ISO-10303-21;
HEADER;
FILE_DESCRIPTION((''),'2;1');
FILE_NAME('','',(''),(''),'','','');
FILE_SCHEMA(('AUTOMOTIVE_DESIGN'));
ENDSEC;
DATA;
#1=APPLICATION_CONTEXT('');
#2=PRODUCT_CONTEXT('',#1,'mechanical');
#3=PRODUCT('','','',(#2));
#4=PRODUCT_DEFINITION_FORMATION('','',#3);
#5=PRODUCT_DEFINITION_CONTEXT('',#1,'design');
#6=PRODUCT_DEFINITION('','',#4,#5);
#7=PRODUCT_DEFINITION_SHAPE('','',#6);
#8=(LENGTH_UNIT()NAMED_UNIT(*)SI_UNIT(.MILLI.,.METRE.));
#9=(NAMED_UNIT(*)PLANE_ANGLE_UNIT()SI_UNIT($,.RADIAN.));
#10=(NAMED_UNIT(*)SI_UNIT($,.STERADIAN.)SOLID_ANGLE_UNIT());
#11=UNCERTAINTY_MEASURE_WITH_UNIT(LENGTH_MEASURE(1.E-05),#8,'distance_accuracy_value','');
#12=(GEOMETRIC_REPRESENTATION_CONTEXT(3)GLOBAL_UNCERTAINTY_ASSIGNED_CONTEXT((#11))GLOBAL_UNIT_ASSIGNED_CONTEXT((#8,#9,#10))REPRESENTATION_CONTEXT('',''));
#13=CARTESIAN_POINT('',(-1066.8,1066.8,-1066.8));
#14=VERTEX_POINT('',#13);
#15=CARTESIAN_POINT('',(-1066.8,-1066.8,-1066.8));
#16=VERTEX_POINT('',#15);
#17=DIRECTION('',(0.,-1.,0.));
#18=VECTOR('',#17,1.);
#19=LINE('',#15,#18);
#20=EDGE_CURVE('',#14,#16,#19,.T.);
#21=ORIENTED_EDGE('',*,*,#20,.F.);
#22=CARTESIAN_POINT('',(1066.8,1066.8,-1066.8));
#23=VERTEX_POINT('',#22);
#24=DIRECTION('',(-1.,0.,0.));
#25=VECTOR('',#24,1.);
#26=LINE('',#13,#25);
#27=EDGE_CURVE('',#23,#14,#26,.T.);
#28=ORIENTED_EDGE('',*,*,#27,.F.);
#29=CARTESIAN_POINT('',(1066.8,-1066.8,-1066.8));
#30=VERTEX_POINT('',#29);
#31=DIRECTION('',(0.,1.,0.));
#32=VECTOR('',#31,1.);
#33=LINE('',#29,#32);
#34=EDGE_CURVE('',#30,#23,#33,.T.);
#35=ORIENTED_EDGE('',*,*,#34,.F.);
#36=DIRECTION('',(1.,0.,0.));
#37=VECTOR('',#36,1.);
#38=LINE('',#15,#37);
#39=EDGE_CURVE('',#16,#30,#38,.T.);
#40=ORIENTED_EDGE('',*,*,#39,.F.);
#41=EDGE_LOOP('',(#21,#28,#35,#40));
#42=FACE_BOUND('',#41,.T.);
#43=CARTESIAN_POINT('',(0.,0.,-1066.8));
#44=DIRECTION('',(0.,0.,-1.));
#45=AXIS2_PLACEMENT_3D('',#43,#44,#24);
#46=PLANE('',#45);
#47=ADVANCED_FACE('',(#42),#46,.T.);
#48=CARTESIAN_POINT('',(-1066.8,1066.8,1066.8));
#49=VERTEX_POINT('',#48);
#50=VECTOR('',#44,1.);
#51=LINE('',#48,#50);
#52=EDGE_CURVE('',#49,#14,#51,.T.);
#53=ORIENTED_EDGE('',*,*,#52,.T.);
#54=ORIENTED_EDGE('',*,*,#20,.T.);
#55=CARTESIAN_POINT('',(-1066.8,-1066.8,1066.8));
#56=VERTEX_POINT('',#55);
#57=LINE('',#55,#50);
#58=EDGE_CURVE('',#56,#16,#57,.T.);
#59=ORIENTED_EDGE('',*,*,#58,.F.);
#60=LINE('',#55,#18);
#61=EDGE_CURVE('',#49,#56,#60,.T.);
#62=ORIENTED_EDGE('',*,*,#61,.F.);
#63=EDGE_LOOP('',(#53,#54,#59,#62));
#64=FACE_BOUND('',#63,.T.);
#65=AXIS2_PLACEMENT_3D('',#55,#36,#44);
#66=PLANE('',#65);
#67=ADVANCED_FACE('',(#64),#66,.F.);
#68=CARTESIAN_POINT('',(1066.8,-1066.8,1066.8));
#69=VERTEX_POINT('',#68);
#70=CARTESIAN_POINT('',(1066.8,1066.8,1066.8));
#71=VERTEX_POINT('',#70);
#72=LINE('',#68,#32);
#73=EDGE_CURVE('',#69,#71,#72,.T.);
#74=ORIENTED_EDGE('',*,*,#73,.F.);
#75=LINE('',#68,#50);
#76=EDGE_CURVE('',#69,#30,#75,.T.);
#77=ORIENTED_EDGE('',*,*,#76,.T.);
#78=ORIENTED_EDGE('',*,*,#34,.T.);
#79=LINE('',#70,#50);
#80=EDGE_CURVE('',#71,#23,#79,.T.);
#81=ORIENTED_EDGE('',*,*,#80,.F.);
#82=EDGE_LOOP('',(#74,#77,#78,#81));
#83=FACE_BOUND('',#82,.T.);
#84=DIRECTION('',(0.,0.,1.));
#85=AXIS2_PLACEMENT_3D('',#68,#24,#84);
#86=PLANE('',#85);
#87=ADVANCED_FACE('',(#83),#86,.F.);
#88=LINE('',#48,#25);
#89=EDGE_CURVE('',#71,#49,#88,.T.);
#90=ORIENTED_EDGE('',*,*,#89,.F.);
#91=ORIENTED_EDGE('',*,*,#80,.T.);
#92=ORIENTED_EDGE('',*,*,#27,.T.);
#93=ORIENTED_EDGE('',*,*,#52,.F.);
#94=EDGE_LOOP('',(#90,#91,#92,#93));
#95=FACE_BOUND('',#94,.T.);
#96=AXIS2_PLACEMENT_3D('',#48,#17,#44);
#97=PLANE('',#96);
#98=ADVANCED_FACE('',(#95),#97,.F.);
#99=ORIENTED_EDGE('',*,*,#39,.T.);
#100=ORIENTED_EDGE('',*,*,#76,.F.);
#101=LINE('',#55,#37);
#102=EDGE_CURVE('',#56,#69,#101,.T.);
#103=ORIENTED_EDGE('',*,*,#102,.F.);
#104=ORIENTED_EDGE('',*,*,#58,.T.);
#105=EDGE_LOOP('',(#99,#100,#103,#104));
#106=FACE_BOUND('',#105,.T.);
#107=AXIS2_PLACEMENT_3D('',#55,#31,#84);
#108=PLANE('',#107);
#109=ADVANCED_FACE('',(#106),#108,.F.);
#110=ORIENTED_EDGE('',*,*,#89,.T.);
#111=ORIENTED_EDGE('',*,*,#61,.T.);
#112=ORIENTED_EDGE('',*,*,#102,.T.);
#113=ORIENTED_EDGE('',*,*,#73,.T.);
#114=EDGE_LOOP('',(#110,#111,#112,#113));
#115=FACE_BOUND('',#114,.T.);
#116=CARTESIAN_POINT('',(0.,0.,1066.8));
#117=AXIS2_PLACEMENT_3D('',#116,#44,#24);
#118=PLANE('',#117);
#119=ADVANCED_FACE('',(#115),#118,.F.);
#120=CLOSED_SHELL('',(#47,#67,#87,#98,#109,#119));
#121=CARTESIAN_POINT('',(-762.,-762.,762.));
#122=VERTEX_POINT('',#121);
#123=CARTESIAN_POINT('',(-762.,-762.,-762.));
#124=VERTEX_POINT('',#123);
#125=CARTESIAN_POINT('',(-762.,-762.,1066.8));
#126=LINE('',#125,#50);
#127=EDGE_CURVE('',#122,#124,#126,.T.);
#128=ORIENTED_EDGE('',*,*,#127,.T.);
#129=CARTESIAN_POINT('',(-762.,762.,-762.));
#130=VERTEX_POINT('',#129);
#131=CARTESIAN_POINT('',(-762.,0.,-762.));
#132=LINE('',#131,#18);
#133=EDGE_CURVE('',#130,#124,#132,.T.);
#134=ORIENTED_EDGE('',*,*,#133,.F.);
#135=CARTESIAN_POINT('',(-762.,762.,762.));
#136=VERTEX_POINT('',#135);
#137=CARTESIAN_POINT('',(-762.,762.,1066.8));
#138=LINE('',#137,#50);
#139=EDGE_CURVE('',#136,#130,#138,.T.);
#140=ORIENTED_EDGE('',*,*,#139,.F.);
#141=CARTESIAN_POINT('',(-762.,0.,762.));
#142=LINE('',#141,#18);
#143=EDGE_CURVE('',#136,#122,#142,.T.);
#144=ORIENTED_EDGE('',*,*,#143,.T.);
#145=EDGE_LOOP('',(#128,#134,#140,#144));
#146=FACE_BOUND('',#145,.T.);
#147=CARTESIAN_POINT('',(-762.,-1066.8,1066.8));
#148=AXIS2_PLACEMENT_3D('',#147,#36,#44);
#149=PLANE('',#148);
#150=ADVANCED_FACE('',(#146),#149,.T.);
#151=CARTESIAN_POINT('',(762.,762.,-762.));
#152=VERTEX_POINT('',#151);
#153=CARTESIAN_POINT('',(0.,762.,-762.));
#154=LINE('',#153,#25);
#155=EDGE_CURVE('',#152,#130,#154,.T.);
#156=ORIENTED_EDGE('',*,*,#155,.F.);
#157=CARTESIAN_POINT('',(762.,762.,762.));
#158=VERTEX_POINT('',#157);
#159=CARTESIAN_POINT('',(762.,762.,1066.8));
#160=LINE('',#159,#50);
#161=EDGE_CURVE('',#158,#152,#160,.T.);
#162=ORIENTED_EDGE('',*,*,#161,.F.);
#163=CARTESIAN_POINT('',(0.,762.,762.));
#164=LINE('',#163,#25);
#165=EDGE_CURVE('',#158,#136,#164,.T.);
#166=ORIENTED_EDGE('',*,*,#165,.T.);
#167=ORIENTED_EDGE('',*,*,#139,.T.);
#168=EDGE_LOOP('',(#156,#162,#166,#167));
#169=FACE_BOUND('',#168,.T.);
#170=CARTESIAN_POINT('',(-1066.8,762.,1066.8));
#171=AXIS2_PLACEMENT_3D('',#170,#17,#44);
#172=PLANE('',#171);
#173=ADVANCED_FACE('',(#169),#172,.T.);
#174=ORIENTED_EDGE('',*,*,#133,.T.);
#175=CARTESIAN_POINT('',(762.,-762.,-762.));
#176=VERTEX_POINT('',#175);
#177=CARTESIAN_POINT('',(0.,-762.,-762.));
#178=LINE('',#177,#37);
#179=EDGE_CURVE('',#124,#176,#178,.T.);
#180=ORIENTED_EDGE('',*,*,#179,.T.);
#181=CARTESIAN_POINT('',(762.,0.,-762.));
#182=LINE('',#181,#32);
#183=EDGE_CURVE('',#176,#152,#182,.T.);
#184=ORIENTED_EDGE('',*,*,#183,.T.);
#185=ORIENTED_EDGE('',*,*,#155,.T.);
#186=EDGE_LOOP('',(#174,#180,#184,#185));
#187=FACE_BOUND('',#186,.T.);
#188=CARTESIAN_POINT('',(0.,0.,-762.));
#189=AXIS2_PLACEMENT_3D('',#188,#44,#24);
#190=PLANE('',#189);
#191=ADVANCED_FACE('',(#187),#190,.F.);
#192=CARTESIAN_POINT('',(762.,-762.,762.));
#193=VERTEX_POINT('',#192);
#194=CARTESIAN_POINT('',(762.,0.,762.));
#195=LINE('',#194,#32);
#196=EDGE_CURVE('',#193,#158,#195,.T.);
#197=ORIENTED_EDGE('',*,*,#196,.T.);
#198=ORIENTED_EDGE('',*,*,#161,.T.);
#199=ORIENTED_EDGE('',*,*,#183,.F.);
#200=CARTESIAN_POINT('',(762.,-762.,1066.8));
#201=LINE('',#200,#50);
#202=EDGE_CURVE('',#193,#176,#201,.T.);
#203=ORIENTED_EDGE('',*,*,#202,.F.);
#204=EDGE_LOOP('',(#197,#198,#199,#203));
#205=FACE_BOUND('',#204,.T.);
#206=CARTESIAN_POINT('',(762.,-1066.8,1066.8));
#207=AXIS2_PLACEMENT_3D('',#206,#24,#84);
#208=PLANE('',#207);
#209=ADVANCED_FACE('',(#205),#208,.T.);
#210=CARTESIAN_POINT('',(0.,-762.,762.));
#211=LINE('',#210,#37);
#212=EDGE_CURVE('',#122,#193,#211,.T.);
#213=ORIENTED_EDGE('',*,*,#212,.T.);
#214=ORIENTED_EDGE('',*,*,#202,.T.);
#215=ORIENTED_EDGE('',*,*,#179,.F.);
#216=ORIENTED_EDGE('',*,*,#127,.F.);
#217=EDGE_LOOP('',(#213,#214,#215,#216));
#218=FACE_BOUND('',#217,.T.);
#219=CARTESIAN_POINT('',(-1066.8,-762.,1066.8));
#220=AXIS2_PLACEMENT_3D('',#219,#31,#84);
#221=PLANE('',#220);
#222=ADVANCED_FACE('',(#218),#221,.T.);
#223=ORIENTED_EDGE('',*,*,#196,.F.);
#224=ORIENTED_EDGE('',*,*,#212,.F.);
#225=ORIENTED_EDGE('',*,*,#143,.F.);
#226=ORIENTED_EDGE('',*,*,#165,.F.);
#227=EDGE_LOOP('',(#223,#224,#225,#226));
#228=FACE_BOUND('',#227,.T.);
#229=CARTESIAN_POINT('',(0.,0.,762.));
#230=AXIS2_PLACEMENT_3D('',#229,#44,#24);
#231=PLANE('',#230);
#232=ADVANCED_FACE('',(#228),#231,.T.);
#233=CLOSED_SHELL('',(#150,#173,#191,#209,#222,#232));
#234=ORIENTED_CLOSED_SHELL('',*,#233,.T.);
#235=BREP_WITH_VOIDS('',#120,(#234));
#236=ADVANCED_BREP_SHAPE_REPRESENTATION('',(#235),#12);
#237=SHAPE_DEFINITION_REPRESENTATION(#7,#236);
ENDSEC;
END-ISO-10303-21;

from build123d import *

# Parameters (mm, degrees)
SKETCH1_W           = 2133.6
SKETCH1_H           = 2133.6
BOSS_EXTRUDE1_DEPTH = 1066.8
SHELL1_T            = 304.8


with BuildPart() as part:
    # Sketch1 → Boss-Extrude1 (new, symmetric)
    with BuildSketch(Plane.XY):
        Rectangle(SKETCH1_W, SKETCH1_H)
    extrude(amount=BOSS_EXTRUDE1_DEPTH, both=True)

    # Shell1 (no face opened: a closed hollow body)
    add(offset(amount=-SHELL1_T, mode=Mode.PRIVATE), mode=Mode.SUBTRACT)


solid = part.part
